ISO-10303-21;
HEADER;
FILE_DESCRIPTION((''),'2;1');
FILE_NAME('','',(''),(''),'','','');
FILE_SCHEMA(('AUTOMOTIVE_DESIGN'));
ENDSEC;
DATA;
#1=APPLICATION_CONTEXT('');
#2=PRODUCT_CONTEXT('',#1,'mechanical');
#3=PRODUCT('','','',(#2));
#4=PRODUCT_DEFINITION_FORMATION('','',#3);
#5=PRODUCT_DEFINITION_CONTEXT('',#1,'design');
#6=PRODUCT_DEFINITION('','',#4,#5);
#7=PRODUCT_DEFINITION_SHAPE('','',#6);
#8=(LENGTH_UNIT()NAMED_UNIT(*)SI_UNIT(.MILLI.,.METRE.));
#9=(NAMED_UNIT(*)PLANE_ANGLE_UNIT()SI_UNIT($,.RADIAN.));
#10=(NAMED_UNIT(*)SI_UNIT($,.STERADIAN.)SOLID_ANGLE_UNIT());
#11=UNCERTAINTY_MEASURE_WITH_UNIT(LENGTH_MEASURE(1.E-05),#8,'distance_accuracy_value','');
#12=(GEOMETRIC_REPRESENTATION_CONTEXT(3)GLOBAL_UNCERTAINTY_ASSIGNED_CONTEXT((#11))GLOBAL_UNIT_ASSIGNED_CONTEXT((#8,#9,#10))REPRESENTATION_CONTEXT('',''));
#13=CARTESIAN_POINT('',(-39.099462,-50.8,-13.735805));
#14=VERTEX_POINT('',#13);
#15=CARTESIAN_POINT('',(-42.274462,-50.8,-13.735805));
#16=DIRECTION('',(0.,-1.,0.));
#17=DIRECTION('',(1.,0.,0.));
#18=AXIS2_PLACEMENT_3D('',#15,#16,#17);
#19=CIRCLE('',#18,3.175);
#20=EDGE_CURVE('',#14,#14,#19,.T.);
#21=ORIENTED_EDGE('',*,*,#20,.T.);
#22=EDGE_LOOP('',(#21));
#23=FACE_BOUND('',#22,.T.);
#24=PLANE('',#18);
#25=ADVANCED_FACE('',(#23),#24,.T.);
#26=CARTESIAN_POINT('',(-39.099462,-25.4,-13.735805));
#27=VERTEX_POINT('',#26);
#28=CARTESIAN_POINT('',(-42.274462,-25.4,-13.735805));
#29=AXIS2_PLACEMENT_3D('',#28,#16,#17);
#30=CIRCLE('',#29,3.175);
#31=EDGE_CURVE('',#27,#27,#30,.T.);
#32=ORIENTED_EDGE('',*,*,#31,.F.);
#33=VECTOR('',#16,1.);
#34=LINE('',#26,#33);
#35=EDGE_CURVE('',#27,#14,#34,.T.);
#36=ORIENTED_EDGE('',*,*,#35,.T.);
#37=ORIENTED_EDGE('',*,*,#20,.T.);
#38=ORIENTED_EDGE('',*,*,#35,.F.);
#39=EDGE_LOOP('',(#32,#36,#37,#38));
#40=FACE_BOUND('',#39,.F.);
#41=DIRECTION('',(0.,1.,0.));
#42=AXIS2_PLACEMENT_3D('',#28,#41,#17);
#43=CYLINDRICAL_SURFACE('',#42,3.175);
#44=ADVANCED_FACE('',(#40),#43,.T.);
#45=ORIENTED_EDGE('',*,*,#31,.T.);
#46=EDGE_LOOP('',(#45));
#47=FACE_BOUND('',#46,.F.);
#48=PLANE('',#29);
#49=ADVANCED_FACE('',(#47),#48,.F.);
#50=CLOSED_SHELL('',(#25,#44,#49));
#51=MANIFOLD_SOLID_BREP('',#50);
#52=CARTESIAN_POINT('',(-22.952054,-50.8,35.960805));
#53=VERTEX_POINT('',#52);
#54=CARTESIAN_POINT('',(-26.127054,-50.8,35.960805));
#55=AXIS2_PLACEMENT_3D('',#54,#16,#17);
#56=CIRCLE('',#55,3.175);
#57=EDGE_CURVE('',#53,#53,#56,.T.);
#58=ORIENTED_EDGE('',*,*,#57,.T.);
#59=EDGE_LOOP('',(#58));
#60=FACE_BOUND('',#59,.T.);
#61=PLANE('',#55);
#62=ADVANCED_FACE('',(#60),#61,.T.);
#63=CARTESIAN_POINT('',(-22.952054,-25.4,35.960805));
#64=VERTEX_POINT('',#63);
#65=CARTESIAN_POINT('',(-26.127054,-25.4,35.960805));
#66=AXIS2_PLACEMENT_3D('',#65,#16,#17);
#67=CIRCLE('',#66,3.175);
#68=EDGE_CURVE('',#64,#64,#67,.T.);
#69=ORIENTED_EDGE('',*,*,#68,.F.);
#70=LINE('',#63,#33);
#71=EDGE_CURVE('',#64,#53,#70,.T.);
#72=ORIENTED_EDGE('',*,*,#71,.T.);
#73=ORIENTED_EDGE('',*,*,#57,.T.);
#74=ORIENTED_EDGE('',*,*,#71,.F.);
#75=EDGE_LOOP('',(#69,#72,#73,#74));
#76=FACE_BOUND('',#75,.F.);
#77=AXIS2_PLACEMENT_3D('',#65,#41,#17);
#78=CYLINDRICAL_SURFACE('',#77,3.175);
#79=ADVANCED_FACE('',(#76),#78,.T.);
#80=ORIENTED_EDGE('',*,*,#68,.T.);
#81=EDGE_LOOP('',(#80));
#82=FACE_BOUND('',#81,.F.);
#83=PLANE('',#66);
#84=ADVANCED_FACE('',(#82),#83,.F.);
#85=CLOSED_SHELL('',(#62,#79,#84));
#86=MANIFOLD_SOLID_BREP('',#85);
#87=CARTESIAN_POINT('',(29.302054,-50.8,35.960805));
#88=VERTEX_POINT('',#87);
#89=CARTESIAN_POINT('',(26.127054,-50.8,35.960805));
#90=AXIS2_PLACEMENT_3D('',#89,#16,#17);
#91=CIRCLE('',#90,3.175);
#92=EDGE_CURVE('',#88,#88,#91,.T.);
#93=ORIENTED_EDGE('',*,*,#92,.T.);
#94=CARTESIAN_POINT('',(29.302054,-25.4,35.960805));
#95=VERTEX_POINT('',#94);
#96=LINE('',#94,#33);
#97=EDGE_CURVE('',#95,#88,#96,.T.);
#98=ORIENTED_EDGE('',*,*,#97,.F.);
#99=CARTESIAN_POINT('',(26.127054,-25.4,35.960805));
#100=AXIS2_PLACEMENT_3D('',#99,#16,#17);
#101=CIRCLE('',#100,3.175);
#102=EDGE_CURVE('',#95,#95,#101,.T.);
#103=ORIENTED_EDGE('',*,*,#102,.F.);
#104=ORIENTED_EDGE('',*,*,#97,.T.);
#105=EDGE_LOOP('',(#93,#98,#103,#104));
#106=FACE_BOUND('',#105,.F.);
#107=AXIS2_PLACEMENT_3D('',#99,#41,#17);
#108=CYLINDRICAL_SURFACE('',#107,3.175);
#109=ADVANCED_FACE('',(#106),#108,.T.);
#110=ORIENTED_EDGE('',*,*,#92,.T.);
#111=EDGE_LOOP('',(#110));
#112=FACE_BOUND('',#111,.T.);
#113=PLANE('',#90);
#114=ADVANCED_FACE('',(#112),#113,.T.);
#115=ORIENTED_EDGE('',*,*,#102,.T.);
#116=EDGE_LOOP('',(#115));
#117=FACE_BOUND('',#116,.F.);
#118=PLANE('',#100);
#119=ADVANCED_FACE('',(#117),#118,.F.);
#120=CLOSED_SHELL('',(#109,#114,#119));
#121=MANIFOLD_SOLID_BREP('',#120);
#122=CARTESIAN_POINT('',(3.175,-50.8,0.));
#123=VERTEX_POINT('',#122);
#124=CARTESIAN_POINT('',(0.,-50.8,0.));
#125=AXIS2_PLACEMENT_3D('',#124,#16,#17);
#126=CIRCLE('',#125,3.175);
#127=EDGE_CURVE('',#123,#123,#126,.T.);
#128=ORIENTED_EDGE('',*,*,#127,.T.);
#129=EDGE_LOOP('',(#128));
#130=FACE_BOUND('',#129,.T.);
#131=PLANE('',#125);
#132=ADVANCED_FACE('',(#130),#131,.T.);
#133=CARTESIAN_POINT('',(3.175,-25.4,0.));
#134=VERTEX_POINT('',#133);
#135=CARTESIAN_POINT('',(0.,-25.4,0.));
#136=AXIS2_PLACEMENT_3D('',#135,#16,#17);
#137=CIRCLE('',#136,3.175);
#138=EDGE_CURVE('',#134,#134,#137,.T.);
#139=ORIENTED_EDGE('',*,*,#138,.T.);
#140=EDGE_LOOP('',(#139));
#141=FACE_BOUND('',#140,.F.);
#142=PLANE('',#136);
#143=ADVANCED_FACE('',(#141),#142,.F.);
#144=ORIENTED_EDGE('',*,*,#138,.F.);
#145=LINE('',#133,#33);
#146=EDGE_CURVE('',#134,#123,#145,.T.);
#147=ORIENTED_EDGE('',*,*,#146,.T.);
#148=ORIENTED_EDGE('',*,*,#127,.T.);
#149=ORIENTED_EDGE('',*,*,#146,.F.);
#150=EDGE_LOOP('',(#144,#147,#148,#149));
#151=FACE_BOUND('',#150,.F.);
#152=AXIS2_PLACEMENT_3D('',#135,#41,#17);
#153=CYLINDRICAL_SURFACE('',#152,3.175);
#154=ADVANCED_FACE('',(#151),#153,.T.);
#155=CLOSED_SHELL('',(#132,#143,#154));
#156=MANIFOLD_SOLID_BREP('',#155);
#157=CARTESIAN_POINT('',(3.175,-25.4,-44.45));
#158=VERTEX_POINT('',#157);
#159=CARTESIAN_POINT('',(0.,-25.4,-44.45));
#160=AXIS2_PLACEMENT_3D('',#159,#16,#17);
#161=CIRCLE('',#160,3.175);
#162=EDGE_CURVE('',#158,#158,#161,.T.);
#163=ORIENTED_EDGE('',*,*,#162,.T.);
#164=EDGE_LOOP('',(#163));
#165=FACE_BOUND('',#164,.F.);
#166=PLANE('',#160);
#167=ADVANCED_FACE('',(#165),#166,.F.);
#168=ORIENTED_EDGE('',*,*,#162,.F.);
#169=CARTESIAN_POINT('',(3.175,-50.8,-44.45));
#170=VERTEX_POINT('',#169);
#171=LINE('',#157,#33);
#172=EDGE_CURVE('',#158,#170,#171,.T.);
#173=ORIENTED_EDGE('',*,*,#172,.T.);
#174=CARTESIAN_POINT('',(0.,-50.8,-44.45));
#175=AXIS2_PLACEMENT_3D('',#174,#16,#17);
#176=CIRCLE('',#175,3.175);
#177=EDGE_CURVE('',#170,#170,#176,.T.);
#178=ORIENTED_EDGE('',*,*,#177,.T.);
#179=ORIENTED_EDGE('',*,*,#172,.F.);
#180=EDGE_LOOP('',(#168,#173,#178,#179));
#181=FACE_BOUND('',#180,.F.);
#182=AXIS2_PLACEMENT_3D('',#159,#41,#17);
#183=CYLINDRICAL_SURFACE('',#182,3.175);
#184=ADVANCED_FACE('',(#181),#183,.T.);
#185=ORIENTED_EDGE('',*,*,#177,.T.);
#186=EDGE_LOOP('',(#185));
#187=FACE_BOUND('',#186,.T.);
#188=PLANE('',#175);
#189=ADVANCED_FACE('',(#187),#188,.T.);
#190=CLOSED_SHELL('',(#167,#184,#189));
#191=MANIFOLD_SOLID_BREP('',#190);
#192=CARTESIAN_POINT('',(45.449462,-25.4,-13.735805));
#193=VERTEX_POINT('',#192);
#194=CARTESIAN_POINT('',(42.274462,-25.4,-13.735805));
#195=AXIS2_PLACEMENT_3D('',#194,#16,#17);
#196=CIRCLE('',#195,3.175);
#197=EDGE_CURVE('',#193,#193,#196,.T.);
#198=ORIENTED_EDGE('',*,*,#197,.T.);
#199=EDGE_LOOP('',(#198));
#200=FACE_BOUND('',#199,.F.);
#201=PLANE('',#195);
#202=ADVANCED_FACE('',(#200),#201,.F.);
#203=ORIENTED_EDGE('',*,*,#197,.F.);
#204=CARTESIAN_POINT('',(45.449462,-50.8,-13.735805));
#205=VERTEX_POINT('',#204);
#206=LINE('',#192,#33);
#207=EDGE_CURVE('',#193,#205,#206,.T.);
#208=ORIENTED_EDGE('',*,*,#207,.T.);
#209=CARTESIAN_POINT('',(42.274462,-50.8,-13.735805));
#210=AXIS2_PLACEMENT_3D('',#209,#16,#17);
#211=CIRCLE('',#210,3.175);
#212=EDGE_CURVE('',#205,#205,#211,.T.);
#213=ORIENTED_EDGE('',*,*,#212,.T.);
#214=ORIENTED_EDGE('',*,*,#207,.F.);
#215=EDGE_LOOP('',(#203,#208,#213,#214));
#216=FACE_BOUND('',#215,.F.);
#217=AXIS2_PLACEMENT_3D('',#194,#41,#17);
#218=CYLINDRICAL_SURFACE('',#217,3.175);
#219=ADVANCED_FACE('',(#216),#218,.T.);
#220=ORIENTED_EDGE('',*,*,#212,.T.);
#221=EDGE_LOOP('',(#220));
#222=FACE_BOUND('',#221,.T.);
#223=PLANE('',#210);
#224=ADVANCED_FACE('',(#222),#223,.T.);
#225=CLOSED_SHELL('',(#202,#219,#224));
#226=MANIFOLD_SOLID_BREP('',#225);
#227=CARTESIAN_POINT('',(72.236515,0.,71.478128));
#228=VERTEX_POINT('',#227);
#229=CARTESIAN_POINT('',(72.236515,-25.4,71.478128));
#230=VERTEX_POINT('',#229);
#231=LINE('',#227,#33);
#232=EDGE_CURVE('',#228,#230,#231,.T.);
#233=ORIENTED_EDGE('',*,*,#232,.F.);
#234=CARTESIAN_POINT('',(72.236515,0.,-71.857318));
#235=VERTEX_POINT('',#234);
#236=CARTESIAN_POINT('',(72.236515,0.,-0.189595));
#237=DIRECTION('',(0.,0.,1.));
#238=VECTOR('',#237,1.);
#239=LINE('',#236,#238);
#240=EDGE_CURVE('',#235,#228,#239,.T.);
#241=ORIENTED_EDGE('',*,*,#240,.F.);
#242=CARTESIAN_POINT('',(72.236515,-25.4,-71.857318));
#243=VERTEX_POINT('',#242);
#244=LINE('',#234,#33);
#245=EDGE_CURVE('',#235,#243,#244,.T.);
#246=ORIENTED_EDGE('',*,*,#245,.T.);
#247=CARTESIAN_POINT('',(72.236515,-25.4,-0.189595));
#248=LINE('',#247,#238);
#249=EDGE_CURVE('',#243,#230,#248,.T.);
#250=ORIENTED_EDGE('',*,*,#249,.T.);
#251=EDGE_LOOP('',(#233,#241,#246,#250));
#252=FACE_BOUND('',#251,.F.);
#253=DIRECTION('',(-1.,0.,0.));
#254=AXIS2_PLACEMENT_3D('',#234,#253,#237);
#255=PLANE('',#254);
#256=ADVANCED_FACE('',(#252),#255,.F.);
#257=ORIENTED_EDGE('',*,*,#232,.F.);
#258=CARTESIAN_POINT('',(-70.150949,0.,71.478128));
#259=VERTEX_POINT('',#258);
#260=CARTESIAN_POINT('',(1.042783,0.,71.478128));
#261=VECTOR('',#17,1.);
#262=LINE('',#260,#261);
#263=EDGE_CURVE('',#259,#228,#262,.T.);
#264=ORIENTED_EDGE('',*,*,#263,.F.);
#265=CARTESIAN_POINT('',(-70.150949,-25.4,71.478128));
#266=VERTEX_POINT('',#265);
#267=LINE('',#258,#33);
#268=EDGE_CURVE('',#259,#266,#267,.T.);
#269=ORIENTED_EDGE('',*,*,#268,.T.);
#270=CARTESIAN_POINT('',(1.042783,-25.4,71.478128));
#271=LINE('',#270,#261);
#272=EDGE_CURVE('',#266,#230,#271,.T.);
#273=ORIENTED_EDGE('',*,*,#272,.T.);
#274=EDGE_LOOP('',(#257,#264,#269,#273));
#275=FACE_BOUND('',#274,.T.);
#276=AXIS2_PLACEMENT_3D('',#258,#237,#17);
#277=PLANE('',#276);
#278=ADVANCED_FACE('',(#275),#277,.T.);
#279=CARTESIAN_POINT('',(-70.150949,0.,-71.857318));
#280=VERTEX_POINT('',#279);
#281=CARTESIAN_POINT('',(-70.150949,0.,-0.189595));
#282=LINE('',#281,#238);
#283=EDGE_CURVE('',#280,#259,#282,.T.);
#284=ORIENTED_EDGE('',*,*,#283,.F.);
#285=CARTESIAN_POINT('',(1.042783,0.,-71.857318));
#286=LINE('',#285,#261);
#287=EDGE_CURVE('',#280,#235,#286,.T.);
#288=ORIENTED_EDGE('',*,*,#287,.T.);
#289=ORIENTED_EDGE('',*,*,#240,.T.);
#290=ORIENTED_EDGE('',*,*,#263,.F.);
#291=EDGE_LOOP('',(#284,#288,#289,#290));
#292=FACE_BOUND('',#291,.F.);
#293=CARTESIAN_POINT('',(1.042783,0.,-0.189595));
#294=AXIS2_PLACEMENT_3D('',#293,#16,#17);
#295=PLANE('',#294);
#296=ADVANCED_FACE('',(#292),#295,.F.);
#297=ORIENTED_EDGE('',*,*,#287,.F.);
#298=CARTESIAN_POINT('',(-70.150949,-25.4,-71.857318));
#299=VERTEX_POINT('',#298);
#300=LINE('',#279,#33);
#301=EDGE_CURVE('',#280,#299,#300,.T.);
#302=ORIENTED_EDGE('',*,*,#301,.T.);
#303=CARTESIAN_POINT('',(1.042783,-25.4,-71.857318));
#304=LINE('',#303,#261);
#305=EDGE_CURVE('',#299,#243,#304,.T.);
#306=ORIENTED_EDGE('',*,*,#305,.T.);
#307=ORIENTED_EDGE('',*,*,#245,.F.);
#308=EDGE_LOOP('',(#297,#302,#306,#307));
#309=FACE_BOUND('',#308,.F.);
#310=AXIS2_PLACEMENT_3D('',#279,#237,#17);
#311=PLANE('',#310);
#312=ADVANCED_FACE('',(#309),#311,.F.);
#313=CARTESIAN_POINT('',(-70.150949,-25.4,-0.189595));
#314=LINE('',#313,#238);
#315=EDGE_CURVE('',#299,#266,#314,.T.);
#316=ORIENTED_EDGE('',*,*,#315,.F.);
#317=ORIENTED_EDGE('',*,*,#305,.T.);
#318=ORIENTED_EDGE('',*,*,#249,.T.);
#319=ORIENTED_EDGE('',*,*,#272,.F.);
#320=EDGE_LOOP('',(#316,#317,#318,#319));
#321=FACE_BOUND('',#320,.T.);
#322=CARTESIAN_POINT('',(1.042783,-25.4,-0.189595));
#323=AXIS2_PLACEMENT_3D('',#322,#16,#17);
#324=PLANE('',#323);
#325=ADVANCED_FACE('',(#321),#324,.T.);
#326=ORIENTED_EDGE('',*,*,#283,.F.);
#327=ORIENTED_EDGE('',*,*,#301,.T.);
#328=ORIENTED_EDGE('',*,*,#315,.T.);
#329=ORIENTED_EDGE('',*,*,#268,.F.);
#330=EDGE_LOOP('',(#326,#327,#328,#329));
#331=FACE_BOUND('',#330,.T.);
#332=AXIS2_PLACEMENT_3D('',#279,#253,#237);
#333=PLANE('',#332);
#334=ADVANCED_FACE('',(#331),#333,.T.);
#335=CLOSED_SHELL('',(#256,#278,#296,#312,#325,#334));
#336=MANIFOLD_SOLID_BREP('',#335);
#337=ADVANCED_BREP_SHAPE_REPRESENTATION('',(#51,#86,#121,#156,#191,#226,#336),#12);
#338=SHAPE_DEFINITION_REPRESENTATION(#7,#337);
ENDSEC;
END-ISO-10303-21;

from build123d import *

# Parameters (mm, degrees)
F0_W     = 142.387465
F0_H     = 143.335446
F1_DEPTH = 25.4
F2_R     = 3.175
F3_DEPTH = 25.4
F4_R     = 3.175
F5_DEPTH = 25.4


with BuildPart() as f1:
    # F0 (on Front) → F1 (new body)
    with BuildSketch(Plane.XZ):
        with Locations((1.042783, -0.189595)):
            Rectangle(F0_W, F0_H)
    extrude(amount=F1_DEPTH)


with BuildPart() as f3:
    # F2 (on face) → F3 (new body)
    with BuildSketch(Plane.XZ.offset(25.4)):
        Circle(F2_R)
    extrude(amount=F3_DEPTH)


with BuildPart() as f5:
    # F4 (on face) → F5 (new body)
    with BuildSketch(Plane.XZ.offset(25.4)):
        with Locations((-42.274462, -13.735805)):
            Circle(F4_R)
        with Locations((-26.127054, 35.960805)):
            Circle(F4_R)
        with Locations((26.127054, 35.960805)):
            Circle(F4_R)
        with Locations((42.274462, -13.735805)):
            Circle(F4_R)
        with Locations((0, -44.45)):
            Circle(F4_R)
    extrude(amount=F5_DEPTH)


solid = Compound([f1.part, f3.part, f5.part])
